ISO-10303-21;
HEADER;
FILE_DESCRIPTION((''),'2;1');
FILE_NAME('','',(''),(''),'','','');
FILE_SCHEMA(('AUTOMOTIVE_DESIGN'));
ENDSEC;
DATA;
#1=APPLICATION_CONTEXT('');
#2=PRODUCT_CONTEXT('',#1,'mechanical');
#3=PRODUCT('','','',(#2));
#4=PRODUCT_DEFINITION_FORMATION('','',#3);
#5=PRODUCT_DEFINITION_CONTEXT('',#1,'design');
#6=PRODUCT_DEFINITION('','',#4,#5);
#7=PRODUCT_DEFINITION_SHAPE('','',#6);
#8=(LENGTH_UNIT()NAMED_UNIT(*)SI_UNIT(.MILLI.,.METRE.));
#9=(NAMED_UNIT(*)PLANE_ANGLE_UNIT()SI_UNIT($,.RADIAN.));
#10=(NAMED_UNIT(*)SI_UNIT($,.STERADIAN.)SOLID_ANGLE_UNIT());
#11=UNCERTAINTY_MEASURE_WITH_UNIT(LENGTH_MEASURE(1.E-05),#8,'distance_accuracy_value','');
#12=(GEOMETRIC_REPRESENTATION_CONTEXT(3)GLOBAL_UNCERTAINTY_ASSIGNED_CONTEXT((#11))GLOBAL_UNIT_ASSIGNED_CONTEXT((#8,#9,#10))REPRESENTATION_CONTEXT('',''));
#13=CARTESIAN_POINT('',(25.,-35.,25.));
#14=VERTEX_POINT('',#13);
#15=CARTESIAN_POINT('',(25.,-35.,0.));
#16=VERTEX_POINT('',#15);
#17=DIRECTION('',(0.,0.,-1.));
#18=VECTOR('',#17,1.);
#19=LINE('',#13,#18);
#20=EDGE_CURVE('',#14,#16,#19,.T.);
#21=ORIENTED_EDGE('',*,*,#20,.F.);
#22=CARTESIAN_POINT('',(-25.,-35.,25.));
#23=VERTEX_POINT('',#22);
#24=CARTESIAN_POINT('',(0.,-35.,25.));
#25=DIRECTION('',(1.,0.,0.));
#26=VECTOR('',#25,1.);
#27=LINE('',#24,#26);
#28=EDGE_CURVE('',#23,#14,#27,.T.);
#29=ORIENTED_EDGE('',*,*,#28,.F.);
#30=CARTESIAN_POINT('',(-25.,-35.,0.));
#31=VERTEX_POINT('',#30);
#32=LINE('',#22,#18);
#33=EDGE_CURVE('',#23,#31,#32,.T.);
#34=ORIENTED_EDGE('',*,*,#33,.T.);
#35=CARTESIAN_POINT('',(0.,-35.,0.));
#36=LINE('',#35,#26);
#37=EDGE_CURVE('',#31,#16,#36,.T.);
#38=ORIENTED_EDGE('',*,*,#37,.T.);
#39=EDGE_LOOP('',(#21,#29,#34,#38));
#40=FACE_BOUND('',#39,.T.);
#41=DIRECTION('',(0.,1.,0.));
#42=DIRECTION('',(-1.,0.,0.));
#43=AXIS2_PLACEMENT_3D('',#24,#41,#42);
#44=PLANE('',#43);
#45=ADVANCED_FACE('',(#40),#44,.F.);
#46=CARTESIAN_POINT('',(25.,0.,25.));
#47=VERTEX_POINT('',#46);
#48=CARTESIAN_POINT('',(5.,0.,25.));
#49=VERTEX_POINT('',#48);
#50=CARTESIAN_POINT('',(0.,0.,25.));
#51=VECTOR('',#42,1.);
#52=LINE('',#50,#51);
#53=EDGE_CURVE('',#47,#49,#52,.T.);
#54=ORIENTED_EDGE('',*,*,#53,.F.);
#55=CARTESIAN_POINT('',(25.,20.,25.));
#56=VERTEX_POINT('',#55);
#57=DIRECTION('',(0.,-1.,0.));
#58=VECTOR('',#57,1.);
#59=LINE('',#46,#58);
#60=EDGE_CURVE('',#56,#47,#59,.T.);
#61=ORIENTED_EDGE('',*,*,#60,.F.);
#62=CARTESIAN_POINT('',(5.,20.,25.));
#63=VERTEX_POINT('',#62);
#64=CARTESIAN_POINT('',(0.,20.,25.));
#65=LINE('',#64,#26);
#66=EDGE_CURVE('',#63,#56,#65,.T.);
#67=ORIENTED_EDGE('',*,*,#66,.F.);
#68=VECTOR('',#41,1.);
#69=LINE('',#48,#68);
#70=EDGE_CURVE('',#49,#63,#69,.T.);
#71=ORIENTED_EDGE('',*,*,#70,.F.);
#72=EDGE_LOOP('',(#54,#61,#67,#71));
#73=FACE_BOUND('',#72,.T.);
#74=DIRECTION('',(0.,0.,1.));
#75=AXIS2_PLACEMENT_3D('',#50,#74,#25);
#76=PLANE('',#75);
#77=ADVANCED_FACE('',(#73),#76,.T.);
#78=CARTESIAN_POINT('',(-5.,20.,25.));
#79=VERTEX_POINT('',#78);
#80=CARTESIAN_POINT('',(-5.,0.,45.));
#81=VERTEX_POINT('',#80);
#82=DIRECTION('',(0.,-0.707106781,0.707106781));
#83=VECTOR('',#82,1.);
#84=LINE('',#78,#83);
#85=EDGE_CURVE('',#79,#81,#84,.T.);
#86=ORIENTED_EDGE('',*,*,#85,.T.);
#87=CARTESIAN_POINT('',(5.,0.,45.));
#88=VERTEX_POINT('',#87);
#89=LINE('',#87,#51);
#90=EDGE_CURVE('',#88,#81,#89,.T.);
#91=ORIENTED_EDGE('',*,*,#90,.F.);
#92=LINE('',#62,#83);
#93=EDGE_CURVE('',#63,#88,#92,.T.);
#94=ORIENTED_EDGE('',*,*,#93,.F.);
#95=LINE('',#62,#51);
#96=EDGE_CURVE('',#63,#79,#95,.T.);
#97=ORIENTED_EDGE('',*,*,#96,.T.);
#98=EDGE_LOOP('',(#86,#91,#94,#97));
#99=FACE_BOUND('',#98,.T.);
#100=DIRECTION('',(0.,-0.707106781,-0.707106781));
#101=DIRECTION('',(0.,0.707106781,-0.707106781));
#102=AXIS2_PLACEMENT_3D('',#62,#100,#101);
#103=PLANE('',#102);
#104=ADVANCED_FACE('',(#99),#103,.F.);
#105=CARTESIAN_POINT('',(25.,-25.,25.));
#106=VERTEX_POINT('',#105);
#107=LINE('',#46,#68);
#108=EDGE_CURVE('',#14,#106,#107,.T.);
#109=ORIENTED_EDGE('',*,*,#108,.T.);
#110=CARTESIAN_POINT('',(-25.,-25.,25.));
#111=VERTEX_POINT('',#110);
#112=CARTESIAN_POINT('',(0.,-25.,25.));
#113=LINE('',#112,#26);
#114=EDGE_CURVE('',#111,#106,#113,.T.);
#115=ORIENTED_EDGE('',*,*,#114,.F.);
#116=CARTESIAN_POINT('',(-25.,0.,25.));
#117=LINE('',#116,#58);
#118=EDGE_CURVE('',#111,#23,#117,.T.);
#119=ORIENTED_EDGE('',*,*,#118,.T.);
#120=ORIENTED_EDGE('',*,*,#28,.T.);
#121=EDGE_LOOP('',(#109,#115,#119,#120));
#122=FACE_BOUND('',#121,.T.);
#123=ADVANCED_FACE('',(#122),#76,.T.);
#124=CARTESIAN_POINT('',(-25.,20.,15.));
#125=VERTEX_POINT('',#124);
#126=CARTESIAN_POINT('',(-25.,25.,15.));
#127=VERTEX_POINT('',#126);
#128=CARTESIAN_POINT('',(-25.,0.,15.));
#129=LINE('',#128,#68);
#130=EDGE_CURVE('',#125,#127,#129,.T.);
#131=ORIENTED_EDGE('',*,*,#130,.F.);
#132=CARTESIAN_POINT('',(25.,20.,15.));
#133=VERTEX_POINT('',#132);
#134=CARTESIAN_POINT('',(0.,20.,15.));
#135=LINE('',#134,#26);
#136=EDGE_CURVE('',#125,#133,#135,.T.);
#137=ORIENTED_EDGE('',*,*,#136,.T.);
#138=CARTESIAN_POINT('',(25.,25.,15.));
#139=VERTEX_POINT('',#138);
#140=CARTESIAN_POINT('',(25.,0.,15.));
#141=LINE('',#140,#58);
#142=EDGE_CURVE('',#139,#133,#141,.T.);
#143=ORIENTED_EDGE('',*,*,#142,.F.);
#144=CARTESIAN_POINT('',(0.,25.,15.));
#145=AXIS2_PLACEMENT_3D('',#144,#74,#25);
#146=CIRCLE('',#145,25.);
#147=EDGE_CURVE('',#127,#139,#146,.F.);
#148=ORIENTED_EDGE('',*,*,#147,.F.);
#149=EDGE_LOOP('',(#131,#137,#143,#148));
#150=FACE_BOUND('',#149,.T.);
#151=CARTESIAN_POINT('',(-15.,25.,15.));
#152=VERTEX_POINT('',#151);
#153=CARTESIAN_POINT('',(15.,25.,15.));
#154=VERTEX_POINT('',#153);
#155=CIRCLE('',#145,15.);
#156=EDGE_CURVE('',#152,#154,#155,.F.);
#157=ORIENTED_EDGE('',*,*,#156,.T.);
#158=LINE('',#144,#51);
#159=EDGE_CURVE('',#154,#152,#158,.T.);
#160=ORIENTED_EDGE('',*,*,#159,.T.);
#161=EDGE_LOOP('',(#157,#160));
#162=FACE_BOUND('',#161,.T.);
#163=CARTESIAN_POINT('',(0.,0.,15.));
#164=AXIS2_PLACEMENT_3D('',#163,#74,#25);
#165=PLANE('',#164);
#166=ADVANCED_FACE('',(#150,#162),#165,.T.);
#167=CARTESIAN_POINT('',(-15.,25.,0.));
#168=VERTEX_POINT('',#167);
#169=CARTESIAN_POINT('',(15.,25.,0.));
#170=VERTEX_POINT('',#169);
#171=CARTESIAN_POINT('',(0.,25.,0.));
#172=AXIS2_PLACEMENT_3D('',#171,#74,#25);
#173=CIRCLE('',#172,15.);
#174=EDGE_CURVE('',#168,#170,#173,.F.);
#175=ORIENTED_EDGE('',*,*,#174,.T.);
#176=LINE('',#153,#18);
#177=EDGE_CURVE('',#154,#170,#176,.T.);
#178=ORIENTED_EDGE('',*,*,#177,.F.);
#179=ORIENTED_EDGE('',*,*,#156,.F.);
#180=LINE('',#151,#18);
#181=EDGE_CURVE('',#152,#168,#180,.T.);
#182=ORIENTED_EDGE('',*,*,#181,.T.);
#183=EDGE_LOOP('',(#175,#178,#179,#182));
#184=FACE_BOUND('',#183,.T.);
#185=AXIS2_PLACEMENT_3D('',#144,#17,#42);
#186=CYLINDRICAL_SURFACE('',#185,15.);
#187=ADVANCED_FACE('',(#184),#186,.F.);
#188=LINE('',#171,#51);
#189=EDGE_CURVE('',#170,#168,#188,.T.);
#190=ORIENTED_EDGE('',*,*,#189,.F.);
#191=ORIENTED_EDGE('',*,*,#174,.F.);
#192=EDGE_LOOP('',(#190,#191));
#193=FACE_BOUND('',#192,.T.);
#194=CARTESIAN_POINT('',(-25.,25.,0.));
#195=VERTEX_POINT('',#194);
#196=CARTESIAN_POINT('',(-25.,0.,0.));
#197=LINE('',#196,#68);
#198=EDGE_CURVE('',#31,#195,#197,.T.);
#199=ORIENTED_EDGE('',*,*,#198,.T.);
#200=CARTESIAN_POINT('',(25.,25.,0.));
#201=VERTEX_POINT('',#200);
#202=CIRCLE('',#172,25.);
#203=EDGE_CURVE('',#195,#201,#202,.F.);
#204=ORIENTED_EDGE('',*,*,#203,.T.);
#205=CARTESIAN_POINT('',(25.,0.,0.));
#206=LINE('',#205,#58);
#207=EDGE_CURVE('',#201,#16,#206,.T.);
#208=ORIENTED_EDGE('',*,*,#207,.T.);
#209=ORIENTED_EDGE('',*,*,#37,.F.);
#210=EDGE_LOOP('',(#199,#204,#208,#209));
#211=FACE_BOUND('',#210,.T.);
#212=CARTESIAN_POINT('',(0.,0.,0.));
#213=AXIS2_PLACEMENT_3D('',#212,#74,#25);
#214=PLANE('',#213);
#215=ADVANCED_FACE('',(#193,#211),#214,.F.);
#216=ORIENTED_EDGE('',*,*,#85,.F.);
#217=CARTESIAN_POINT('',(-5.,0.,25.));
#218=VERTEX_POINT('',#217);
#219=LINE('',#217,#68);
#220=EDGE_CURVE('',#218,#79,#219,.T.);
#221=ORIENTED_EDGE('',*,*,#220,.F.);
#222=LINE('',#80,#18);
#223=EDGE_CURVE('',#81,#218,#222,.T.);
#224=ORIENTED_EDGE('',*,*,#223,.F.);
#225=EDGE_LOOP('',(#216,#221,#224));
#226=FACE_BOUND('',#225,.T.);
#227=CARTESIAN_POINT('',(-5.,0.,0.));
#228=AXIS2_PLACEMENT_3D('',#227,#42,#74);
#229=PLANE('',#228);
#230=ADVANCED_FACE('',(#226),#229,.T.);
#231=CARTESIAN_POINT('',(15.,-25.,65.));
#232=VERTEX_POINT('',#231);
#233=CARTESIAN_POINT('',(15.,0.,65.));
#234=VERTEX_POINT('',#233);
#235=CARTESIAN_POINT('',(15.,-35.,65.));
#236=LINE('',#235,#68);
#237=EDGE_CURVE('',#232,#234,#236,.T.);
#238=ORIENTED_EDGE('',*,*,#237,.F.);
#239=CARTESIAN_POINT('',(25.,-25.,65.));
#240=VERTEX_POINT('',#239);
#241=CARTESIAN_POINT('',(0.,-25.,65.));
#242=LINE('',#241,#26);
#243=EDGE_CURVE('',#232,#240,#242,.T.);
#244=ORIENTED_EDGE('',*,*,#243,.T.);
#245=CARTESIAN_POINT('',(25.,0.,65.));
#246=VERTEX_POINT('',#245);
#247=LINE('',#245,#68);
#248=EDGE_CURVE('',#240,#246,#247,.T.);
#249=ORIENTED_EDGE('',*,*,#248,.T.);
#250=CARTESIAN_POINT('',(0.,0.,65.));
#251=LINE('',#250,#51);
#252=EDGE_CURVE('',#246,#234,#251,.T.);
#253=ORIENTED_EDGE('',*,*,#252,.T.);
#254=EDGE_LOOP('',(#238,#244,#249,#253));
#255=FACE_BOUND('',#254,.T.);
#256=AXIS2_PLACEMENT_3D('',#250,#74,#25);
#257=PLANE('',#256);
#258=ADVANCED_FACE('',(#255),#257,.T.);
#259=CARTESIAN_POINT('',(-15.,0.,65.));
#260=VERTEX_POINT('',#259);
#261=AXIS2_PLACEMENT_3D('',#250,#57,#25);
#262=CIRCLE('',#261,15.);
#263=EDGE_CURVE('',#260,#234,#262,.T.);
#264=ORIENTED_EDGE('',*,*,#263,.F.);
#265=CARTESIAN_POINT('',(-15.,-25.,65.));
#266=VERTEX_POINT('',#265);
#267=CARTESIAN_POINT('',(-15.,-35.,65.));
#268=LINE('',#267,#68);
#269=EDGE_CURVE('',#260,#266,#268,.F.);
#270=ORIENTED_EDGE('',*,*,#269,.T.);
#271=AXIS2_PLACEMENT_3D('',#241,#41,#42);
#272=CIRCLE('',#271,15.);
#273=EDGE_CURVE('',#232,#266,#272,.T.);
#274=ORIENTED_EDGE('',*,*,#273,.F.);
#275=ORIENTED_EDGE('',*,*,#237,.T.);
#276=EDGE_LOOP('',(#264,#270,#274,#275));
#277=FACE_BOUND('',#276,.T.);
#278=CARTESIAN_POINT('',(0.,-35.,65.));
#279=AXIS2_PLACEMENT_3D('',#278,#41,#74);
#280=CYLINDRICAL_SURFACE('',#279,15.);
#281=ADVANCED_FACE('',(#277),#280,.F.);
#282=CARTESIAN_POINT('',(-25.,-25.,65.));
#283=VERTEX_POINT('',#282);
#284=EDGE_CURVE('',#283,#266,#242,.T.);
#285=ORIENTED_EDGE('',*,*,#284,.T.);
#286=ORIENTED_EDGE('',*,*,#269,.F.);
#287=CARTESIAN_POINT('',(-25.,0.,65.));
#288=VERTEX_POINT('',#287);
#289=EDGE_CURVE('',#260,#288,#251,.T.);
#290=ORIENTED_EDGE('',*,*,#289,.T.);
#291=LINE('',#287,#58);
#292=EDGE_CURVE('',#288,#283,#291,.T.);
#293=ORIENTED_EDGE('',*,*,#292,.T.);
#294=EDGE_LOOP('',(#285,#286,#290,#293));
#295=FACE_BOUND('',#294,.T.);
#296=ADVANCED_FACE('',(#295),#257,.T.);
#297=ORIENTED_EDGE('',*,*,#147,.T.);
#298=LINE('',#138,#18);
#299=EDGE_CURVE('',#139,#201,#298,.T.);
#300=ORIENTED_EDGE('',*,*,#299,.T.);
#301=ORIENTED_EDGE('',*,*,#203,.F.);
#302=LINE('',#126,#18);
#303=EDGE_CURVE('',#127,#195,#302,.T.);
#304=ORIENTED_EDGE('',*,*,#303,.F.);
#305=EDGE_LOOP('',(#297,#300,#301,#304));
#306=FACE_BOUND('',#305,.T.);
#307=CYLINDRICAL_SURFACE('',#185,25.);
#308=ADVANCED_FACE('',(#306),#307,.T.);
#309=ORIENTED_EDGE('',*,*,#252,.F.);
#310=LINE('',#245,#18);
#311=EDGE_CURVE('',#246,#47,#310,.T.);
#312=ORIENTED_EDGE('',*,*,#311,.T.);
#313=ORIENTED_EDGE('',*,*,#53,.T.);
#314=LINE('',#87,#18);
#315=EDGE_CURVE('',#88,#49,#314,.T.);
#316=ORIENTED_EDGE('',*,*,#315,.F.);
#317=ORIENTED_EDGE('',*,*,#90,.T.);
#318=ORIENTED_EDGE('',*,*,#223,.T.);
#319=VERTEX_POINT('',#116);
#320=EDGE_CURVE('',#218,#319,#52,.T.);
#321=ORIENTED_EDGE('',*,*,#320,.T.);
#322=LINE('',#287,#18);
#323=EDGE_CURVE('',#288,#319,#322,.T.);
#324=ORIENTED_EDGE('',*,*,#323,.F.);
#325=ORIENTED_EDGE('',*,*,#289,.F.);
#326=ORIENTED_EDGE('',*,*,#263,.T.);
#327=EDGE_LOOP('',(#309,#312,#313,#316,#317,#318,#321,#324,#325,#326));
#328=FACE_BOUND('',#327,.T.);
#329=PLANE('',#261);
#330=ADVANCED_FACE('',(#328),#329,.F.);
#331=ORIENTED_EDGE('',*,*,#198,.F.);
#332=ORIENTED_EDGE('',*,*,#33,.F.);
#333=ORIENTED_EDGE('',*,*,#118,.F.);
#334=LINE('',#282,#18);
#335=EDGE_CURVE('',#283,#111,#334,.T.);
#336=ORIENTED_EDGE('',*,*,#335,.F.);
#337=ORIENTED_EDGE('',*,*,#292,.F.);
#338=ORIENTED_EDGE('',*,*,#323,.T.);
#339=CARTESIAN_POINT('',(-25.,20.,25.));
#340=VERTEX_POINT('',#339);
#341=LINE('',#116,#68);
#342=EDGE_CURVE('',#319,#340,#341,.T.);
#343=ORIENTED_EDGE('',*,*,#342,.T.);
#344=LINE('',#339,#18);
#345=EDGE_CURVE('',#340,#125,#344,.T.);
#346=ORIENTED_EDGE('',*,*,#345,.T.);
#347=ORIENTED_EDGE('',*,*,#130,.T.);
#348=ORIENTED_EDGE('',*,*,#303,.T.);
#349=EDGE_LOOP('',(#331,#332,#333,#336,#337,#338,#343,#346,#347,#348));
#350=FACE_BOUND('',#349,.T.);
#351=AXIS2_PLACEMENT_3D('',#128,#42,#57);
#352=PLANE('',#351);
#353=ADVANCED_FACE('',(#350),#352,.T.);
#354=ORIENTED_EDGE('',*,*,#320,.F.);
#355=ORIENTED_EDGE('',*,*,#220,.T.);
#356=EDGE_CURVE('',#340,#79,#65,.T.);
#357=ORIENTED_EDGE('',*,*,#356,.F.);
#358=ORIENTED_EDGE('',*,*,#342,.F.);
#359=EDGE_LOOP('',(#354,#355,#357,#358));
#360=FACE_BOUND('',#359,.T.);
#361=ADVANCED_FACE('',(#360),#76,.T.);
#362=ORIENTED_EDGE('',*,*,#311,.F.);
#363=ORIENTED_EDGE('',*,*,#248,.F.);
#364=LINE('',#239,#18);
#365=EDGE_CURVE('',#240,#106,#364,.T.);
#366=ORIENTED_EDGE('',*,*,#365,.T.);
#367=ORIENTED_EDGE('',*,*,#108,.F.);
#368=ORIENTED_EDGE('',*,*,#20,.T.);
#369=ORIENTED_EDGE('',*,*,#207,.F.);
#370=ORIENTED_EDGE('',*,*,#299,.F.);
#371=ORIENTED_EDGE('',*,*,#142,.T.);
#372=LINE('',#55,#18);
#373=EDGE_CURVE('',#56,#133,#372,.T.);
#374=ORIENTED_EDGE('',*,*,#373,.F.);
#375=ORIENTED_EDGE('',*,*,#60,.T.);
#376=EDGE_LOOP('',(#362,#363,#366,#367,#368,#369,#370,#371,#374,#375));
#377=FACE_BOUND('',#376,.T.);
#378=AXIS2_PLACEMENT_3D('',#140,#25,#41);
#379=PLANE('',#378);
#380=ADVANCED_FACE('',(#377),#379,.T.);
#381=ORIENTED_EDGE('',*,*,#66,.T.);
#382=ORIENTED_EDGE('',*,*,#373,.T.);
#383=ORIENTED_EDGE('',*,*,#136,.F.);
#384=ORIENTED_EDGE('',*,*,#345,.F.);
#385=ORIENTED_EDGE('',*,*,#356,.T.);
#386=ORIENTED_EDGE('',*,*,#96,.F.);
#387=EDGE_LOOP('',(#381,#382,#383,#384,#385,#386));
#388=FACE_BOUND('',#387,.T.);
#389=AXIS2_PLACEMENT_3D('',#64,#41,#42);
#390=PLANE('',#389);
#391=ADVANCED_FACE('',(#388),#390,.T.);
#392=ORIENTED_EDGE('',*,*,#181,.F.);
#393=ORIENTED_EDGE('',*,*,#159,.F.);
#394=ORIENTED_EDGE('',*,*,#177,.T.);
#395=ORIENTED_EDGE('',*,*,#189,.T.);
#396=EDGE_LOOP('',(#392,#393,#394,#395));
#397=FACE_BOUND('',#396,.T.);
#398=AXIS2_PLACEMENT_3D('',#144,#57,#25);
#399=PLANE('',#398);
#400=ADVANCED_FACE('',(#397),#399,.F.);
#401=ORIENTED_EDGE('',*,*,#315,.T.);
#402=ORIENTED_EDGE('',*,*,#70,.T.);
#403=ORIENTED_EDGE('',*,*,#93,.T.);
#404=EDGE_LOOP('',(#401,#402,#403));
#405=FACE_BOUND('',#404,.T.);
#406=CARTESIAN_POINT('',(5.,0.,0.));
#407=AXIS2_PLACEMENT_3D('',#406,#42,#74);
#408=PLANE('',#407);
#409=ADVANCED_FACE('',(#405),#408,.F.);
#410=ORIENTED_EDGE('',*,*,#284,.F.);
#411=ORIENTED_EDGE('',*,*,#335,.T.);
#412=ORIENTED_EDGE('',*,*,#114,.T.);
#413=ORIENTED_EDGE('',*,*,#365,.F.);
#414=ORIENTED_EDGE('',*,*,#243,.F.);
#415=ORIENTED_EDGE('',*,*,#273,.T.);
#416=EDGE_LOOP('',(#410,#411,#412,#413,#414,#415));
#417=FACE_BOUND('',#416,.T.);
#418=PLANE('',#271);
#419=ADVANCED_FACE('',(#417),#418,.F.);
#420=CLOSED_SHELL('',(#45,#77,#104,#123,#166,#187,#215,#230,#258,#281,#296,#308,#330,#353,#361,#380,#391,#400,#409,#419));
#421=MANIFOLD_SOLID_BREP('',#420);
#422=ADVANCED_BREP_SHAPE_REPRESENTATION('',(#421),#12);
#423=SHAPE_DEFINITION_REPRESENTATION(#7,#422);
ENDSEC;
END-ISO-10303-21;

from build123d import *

# Parameters (mm, degrees)
BOSS_EXTRUDE1_DEPTH     = 15
SKETCH3_3_W             = 50
SKETCH3_3_H             = 20
BOSS_EXTRUDE2_DEPTH     = 25
SKETCH3_4_W             = 50
SKETCH3_4_H             = 25
BOSS_EXTRUDE3_DEPTH     = 65
SKETCH3_6_W             = 50
SKETCH3_6_H             = 10
BOSS_EXTRUDE4_DEPTH     = 25
CUT_EXTRUDE1_DEPTH      = 86.732140997
CUT_EXTRUDE1_DEPTH_BACK = 86.732140997
BOSS_EXTRUDE5_DEPTH     = 5


with BuildPart() as part:
    # Sketch3 → Boss-Extrude1 (new body)
    with BuildSketch(Plane.XY):
        with BuildLine():
            Line((-25, 20), (25, 20))
            Line((25, 20), (25, 25))
            ThreePointArc((25, 25), (0, 50), (-25, 25))
            Line((-25, 25), (-25, 20))
        make_face()
        with BuildLine():
            ThreePointArc((-15, 25), (0, 40), (15, 25))
            Line((15, 25), (-15, 25))
        make_face(mode=Mode.SUBTRACT)
    extrude(amount=BOSS_EXTRUDE1_DEPTH)

    # Sketch3<3> → Boss-Extrude2 (add)
    with BuildSketch(Plane.XY):
        with Locations((0, 10)):
            Rectangle(SKETCH3_3_W, SKETCH3_3_H)
    extrude(amount=BOSS_EXTRUDE2_DEPTH)

    # Sketch3<4> → Boss-Extrude3 (add)
    with BuildSketch(Plane.XY):
        with Locations((0, -12.5)):
            Rectangle(SKETCH3_4_W, SKETCH3_4_H)
    extrude(amount=BOSS_EXTRUDE3_DEPTH)

    # Sketch3<6> → Boss-Extrude4 (add)
    with BuildSketch(Plane.XY):
        with Locations((0, -30)):
            Rectangle(SKETCH3_6_W, SKETCH3_6_H)
    extrude(amount=BOSS_EXTRUDE4_DEPTH)

    # Sketch5 → Cut-Extrude1 (cut, two sides: drawn at the far end of the back side and taken through both)
    with BuildSketch(Plane(origin=(0, 0, 0), x_dir=(1, 0, 0), z_dir=(0, 1, 0)).offset(-CUT_EXTRUDE1_DEPTH_BACK)):
        with BuildLine():
            Line((-15, -65), (15, -65))
            ThreePointArc((15, -65), (0, -50), (-15, -65))
        make_face()
    extrude(amount=CUT_EXTRUDE1_DEPTH + CUT_EXTRUDE1_DEPTH_BACK, mode=Mode.SUBTRACT)

    # Sketch6 → Boss-Extrude5 (add, symmetric)
    with BuildSketch(Plane(origin=(0, 0, 0), x_dir=(0, 0, -1), z_dir=(1, 0, 0))):
        Polygon((-25, 20), (-45, 0), (-25, 0), align=None)
    extrude(amount=BOSS_EXTRUDE5_DEPTH, both=True)


solid = part.part
